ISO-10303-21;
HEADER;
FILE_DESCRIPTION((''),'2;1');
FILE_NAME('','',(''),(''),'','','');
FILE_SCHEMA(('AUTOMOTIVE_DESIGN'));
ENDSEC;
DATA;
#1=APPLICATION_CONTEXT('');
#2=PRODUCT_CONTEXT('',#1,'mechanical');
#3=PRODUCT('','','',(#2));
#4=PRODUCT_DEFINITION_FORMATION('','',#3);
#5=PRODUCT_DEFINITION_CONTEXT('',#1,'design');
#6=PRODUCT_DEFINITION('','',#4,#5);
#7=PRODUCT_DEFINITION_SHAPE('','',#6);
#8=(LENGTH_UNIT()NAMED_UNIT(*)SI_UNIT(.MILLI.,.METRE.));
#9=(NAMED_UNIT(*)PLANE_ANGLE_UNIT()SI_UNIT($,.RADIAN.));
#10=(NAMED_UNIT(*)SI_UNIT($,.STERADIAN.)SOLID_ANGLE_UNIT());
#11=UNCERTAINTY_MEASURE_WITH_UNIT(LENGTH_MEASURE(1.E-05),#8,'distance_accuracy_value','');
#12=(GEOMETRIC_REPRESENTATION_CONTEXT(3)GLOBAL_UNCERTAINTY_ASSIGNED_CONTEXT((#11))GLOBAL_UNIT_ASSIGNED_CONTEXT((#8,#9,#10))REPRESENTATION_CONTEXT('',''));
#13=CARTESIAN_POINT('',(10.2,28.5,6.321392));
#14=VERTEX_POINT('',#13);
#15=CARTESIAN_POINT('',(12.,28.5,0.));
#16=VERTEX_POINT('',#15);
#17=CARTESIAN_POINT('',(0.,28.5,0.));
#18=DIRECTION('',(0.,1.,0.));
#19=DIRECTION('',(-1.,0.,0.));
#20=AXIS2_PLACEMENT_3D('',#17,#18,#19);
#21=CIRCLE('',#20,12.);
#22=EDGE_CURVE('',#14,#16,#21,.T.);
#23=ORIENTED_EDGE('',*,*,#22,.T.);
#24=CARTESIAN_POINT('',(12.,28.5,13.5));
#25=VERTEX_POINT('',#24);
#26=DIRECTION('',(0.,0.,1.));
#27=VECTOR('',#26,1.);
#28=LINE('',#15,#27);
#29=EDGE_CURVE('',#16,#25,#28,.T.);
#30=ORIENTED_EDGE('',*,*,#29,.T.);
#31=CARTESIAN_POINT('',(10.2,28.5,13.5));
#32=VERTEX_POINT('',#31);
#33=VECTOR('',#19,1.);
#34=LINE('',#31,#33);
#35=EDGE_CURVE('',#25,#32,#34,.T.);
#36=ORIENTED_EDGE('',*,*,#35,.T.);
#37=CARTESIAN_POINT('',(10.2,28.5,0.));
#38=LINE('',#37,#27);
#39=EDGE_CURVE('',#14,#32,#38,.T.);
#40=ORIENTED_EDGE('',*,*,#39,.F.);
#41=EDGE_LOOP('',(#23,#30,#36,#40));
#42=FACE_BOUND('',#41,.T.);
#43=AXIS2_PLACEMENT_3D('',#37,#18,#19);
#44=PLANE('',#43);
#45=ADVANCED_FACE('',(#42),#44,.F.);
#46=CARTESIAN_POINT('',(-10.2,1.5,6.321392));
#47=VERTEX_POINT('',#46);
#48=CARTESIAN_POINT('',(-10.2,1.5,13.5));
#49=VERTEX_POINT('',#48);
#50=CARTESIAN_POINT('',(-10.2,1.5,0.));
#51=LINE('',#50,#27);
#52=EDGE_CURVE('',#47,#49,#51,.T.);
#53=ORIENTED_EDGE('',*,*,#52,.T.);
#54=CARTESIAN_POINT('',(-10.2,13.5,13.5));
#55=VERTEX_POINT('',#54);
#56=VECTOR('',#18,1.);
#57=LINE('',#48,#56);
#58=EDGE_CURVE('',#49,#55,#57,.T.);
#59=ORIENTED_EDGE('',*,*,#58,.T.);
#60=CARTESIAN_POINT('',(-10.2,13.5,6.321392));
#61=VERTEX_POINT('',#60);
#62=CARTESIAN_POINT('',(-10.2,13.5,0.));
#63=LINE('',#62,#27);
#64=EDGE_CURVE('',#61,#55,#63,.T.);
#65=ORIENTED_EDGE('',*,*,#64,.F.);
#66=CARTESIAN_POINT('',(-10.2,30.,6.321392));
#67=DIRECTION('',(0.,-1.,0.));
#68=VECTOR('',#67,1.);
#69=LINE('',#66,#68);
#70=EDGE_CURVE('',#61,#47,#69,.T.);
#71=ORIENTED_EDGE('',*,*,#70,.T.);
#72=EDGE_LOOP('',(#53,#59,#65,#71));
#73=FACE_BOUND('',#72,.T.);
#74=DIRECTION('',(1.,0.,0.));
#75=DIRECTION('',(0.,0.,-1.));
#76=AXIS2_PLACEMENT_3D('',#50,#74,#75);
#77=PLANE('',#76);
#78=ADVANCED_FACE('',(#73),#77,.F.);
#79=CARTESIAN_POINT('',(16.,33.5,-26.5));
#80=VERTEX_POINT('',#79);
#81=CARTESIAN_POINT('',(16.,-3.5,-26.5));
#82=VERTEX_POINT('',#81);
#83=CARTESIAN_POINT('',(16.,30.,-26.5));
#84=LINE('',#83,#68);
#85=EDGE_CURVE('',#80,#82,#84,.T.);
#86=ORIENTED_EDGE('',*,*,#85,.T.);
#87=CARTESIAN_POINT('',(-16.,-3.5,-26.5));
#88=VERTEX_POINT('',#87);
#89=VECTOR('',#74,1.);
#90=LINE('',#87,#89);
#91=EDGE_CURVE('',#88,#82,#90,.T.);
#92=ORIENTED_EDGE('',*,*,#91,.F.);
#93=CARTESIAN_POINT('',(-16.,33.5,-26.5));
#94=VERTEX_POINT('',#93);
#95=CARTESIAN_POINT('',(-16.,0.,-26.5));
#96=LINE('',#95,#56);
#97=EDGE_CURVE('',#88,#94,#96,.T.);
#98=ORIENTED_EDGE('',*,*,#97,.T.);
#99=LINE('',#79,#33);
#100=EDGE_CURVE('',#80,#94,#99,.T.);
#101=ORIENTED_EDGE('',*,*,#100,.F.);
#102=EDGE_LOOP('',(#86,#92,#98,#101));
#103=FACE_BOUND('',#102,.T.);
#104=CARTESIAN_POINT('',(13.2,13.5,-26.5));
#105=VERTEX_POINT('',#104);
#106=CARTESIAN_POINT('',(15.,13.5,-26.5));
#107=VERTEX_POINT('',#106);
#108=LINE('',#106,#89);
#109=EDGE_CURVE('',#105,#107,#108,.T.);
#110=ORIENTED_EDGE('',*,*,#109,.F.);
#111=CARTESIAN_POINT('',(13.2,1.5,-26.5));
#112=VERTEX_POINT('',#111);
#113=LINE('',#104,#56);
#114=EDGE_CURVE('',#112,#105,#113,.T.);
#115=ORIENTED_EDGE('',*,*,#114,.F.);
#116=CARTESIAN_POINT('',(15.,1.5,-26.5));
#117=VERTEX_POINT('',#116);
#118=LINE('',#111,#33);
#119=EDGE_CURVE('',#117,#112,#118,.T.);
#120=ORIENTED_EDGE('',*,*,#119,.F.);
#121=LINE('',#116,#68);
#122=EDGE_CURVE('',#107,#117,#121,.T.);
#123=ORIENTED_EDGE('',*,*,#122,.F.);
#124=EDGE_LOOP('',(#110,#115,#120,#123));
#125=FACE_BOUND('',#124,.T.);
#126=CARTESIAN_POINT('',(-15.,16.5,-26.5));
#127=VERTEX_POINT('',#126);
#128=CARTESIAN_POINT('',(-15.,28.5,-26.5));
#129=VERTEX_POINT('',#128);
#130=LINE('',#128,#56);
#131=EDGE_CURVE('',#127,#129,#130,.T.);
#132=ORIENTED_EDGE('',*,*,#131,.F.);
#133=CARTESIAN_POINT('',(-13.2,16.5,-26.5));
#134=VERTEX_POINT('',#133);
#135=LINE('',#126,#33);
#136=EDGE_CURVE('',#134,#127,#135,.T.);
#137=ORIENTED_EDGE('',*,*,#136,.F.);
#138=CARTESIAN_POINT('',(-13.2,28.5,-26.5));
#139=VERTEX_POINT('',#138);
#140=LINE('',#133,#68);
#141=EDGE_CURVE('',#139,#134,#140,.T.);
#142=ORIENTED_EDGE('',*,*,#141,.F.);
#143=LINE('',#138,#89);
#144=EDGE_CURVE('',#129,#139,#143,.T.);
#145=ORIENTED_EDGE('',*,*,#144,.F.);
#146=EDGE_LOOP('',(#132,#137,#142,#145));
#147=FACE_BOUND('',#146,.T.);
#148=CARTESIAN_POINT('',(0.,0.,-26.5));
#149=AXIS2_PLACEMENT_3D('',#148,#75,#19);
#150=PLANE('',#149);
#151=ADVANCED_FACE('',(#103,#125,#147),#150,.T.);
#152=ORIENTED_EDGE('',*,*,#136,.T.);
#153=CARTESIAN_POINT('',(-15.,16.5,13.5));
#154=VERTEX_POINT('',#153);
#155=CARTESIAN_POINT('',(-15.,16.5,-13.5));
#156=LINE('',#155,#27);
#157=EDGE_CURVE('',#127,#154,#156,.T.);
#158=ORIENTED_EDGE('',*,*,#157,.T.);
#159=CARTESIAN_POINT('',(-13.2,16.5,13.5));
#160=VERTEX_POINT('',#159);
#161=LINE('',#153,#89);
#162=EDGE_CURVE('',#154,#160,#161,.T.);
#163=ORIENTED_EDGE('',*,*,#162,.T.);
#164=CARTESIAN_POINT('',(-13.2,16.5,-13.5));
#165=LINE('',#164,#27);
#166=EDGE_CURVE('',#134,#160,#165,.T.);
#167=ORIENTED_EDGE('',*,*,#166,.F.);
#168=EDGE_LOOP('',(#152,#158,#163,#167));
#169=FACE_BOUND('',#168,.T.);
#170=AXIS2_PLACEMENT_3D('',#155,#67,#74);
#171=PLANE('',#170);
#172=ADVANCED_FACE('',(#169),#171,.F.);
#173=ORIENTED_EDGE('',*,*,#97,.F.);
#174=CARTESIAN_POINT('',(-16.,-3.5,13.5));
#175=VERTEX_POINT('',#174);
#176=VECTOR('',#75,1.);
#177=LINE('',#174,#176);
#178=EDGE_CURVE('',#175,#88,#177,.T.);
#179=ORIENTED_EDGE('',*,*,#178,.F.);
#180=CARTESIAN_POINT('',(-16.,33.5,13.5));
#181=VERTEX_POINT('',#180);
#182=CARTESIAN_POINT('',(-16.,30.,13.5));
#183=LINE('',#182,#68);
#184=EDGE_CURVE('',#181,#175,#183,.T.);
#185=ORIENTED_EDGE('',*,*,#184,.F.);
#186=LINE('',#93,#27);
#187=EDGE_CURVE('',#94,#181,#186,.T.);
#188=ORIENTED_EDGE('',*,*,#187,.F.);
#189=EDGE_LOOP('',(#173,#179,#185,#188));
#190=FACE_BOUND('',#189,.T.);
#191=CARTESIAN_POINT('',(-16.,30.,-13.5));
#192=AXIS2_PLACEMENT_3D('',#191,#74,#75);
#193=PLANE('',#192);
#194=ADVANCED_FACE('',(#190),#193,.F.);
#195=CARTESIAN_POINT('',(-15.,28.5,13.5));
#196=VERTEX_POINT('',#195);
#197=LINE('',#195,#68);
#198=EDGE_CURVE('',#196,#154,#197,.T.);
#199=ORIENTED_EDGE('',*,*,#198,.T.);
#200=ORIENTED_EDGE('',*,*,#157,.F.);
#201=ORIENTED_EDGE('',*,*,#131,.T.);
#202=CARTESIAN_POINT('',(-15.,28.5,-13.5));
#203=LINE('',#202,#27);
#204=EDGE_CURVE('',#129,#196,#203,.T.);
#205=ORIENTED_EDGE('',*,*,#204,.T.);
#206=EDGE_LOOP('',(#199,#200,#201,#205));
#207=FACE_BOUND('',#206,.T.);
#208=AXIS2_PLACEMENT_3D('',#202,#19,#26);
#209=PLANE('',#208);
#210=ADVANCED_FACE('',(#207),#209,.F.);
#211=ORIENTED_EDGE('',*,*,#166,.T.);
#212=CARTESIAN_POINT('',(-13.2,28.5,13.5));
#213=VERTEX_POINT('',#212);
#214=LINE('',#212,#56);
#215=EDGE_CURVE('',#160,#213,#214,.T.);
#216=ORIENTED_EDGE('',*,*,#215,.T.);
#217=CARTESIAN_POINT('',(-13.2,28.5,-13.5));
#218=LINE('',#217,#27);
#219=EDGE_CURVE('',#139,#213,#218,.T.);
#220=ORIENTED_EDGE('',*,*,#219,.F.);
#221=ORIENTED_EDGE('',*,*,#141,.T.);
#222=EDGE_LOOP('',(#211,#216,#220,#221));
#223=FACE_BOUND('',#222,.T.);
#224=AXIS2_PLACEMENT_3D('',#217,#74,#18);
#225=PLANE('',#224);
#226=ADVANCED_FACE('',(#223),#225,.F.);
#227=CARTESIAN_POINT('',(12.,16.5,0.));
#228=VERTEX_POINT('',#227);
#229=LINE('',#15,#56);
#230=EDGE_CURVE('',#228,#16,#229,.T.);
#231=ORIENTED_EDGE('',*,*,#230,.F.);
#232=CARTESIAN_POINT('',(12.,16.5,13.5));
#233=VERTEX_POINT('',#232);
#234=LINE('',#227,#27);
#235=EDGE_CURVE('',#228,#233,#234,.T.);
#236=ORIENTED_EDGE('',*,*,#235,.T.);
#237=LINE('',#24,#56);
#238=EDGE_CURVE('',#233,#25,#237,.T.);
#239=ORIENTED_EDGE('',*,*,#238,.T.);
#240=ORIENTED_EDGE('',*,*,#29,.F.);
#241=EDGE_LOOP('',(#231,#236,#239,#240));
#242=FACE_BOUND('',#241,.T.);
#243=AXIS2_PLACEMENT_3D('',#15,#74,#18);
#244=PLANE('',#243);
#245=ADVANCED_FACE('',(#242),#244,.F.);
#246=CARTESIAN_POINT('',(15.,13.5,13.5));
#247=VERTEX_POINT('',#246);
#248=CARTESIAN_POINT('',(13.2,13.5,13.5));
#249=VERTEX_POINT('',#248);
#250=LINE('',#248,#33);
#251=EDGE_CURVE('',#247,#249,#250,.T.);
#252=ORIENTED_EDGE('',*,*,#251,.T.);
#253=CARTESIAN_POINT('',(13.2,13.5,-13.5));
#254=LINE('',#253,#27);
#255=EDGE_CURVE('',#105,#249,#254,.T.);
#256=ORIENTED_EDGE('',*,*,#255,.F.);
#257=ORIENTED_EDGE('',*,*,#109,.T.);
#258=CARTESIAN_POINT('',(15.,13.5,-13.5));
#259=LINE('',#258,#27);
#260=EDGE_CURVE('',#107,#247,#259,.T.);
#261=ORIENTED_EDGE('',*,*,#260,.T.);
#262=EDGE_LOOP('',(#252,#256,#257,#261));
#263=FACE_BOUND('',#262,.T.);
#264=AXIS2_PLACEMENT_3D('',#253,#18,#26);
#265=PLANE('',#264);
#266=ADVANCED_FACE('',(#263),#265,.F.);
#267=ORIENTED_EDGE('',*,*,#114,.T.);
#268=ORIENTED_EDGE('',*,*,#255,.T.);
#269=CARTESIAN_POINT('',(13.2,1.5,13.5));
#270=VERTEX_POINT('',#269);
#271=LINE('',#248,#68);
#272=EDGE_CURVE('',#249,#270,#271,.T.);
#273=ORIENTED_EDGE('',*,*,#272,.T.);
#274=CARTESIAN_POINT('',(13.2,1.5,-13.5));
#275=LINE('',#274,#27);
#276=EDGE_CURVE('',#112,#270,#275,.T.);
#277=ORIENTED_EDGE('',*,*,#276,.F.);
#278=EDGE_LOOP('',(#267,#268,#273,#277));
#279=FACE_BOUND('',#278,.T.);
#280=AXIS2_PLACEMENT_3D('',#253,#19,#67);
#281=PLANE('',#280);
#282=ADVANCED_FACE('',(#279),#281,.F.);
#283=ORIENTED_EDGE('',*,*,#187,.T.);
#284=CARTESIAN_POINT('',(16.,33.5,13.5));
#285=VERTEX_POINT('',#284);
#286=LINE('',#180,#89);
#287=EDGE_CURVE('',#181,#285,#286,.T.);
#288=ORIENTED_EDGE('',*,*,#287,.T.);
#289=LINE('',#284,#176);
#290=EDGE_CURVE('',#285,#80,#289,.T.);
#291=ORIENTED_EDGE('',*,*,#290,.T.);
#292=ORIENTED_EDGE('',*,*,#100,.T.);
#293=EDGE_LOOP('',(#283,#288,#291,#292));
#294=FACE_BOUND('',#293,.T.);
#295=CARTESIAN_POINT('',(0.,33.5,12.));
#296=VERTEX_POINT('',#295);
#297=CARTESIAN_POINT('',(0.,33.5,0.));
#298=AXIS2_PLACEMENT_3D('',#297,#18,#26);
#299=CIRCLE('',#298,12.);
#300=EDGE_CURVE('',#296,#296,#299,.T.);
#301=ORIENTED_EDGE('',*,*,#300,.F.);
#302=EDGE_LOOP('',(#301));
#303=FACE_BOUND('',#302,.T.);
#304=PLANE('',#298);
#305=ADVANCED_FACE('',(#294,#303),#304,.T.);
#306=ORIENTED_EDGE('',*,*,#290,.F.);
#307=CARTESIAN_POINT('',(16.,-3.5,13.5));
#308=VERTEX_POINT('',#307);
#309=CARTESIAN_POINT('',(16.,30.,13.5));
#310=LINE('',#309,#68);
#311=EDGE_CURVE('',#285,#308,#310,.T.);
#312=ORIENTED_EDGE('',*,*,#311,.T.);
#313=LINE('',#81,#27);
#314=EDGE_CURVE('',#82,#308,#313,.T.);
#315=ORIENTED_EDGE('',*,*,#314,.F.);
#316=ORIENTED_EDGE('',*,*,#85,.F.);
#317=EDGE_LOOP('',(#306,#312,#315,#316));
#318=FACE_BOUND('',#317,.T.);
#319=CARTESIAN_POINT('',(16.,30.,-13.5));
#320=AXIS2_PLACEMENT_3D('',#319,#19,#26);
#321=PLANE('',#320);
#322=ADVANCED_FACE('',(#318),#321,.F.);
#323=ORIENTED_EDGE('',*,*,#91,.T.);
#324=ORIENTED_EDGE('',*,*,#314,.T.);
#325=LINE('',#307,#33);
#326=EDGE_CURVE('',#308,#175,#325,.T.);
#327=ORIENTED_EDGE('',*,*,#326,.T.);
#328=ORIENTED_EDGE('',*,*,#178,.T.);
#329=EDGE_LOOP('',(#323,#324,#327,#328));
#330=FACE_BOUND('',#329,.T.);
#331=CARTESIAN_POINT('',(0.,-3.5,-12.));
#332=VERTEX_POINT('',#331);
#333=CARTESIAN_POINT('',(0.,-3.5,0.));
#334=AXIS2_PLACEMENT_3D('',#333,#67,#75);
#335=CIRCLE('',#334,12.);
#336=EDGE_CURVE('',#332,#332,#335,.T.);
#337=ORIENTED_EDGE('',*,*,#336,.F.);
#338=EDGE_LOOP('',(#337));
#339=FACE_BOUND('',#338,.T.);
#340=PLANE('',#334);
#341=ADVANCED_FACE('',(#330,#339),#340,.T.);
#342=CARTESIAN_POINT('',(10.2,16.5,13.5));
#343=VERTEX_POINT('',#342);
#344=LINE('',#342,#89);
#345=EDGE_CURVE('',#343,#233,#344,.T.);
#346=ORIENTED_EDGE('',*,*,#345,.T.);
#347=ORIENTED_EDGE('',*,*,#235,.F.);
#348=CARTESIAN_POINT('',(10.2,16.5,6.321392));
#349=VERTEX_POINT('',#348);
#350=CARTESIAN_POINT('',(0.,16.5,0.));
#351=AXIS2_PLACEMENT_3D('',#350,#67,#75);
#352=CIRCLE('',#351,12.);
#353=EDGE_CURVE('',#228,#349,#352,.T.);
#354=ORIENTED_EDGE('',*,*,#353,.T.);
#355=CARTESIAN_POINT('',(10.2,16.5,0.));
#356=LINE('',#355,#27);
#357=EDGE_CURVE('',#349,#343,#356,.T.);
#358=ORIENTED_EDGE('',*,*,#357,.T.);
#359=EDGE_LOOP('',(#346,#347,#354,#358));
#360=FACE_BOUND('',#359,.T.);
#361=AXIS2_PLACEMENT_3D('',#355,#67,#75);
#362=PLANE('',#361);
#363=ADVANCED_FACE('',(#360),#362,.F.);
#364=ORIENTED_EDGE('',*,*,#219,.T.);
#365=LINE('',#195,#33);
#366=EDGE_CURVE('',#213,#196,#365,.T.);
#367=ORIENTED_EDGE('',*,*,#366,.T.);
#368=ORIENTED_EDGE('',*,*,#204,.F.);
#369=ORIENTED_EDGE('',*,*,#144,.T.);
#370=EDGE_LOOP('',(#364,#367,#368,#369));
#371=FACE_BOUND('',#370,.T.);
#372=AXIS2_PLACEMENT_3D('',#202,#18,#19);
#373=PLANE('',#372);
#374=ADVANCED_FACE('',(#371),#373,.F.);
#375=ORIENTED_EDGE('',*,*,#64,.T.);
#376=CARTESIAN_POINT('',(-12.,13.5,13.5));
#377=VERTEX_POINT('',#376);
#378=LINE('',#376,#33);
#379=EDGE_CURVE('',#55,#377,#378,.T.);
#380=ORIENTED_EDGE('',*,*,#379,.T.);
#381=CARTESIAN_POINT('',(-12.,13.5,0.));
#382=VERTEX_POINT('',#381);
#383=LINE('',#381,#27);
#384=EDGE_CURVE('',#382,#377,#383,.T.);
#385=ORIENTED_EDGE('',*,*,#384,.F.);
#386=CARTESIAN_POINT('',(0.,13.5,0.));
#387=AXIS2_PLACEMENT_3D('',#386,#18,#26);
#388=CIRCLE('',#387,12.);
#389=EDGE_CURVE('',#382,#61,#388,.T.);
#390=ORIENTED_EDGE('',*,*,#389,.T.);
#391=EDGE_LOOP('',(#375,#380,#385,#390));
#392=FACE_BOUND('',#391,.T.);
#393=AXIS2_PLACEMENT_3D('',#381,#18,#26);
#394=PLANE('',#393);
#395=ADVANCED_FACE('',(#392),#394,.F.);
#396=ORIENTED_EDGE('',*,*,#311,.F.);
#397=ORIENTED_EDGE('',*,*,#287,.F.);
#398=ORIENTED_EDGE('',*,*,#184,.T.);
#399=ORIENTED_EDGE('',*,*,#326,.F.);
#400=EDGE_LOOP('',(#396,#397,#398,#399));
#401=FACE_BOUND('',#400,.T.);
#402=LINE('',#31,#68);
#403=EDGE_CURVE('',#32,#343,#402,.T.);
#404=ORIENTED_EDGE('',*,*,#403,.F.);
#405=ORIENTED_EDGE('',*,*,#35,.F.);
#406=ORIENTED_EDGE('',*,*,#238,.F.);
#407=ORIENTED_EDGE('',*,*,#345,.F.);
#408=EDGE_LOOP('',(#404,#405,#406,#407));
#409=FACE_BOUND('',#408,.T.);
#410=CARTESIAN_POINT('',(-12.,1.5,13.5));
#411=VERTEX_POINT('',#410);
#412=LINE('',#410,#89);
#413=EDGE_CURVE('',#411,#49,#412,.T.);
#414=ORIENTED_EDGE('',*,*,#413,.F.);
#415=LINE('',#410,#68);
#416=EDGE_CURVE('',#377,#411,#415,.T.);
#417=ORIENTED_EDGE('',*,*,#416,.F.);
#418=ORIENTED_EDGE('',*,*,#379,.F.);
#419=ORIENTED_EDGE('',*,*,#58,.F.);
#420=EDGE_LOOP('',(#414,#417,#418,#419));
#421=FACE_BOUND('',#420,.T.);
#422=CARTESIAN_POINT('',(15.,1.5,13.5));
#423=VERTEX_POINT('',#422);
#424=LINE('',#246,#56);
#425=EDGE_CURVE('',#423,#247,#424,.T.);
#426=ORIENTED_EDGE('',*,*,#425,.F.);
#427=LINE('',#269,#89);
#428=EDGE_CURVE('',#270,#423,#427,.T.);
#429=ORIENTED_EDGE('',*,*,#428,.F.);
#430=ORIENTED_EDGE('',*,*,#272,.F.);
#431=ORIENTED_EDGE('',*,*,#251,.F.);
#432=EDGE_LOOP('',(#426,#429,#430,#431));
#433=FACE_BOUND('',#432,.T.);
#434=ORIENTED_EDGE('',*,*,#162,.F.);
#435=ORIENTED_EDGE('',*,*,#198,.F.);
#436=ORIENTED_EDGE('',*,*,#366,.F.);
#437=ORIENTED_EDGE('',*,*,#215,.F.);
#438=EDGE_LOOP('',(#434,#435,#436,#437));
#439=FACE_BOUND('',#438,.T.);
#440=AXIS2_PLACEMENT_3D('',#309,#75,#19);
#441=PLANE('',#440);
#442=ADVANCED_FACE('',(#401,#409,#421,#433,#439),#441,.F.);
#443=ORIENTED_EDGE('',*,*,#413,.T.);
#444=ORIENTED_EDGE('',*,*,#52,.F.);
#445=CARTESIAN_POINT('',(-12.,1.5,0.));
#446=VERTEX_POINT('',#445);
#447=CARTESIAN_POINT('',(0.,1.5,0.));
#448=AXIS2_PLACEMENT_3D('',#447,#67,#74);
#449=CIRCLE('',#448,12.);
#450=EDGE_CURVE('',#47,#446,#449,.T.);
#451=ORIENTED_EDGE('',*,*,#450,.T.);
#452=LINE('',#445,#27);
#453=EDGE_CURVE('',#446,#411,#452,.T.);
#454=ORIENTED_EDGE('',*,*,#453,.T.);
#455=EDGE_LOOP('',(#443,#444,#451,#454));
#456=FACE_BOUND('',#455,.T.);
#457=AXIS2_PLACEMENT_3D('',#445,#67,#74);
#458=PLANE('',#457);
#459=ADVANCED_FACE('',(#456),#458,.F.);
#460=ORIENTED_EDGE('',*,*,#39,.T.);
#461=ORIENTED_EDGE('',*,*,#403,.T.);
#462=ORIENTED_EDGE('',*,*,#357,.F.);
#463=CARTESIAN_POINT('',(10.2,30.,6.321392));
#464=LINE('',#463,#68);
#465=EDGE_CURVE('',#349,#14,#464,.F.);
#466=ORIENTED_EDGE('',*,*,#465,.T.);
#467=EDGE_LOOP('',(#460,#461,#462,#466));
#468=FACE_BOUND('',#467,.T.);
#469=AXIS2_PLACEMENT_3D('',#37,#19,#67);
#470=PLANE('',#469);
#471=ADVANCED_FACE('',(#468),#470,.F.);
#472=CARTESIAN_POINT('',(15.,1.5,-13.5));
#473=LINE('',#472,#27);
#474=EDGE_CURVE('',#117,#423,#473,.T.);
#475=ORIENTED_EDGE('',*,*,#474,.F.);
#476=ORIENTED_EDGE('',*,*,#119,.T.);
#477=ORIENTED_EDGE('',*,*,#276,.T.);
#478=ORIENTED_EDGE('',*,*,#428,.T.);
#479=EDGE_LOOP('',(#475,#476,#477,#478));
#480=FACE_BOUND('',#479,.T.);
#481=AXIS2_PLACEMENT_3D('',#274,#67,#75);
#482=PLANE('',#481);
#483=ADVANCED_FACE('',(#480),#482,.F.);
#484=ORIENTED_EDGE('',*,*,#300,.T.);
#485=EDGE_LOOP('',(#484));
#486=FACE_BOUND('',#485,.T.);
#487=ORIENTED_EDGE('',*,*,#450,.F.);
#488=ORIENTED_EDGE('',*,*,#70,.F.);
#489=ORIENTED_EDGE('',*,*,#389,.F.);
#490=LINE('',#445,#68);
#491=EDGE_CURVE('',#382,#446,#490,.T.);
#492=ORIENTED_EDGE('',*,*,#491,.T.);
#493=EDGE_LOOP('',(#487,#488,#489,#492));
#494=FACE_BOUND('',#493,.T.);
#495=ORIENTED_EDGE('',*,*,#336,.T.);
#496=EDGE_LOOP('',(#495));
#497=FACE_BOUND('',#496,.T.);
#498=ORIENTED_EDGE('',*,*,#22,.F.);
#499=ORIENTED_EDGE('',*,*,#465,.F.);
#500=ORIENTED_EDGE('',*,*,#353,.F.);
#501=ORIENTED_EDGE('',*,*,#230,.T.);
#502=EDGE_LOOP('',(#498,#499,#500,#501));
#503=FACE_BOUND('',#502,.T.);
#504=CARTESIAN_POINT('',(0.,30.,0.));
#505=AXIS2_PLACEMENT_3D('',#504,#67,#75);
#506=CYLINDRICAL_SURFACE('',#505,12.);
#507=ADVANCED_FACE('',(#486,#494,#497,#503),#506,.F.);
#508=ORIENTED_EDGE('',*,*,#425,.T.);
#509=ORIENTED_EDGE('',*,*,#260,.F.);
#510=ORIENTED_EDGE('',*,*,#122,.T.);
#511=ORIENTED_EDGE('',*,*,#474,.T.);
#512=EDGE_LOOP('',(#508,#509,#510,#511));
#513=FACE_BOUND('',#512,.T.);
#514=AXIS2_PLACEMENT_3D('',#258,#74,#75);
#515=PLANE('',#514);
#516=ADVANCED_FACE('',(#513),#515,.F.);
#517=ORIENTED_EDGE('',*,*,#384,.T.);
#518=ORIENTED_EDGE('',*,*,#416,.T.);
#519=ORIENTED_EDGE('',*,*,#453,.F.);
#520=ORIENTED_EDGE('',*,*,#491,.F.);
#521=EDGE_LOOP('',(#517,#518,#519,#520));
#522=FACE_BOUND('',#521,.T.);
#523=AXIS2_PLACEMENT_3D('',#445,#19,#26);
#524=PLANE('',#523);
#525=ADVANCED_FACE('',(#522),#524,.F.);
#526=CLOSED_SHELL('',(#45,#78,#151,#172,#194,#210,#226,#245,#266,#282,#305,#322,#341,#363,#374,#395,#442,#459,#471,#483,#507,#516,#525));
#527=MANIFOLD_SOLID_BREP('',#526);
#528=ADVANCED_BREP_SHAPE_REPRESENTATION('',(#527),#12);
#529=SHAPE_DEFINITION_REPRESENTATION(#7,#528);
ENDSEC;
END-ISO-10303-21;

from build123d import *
from build123d.topology import SkipClean

# Parameters (mm, degrees)
SKETCH1_W           = 32
SKETCH1_H           = 27
SKETCH1_R           = 12
BOSS_EXTRUDE1_DEPTH = 30
SKETCH3_W           = 1.8
SKETCH3_H           = 12
CUT_EXTRUDE1_DEPTH  = 13.5
SKETCH4_W           = 1.8
SKETCH4_H           = 12
CUT_EXTRUDE2_DEPTH  = 44.416586692
SKETCH5_W           = 32
SKETCH5_H           = 30
SKETCH5_W_2         = 1.8
SKETCH5_H_2         = 12
BOSS_EXTRUDE2_DEPTH = 13
SKETCH6_W           = 32
SKETCH6_H           = 40
SKETCH6_R           = 12
BOSS_EXTRUDE3_DEPTH = 3.5
BOSS_EXTRUDE4_START = 3.5
SKETCH7_W           = 32
SKETCH7_H           = 40
SKETCH7_R           = 12
BOSS_EXTRUDE4_DEPTH = 3.5


with BuildPart() as part:
    # Sketch1 → Boss-Extrude1 (new body)
    with BuildSketch(Plane(origin=(0, 0, 0), x_dir=(1, 0, 0), z_dir=(0, 1, 0))):
        Rectangle(SKETCH1_W, SKETCH1_H)
        with Locations(Location((0, 0, 0), (0, 0, 270))):
            Circle(SKETCH1_R, mode=Mode.SUBTRACT)
    extrude(amount=BOSS_EXTRUDE1_DEPTH)

    # Sketch3 → Cut-Extrude1 (cut)
    with BuildSketch(Plane.XY.offset(13.5)):
        with Locations((-11.1, 7.5)):
            Rectangle(SKETCH3_W, SKETCH3_H)
        with Locations((11.1, 22.5)):
            Rectangle(SKETCH3_W, SKETCH3_H)
    extrude(amount=-CUT_EXTRUDE1_DEPTH, mode=Mode.SUBTRACT)

    # Sketch4 → Cut-Extrude2 (cut, through all)
    with BuildSketch(Plane.XY.offset(13.5)):
        with Locations((-14.1, 22.5)):
            Rectangle(SKETCH4_W, SKETCH4_H)
        with Locations((14.1, 7.5)):
            Rectangle(SKETCH4_W, SKETCH4_H)
    extrude(amount=-CUT_EXTRUDE2_DEPTH, mode=Mode.SUBTRACT)

    # Sketch5 → Boss-Extrude2 (add)
    with BuildSketch(Plane(origin=(0, 0, -13.5), x_dir=(-1, 0, 0), z_dir=(0, 0, -1))):
        with Locations((0, 15)):
            Rectangle(SKETCH5_W, SKETCH5_H)
        with Locations((14.1, 22.5)):
            Rectangle(SKETCH5_W_2, SKETCH5_H_2, mode=Mode.SUBTRACT)
        with Locations((-14.1, 7.5)):
            Rectangle(SKETCH5_W_2, SKETCH5_H_2, mode=Mode.SUBTRACT)
    extrude(amount=BOSS_EXTRUDE2_DEPTH)

    # Sketch6 → Boss-Extrude3 (add)
    with BuildSketch(Plane(origin=(0, 30, 0), x_dir=(1, 0, 0), z_dir=(0, 1, 0))):
        with Locations((0, 6.5)):
            Rectangle(SKETCH6_W, SKETCH6_H)
        with Locations(Location((0, 0, 0), (0, 0, 270))):
            Circle(SKETCH6_R, mode=Mode.SUBTRACT)
    extrude(amount=BOSS_EXTRUDE3_DEPTH)

    # Sketch7 → Boss-Extrude4 (add)
    with SkipClean():  # the faces are left unmerged after this step: merging them gives an invalid solid
        with BuildSketch(Plane.XZ.offset(BOSS_EXTRUDE4_START)):
            with Locations((0, -6.5)):
                Rectangle(SKETCH7_W, SKETCH7_H)
            with Locations(Location((0, 0, 0), (0, 0, 270))):
                Circle(SKETCH7_R, mode=Mode.SUBTRACT)
        extrude(amount=-BOSS_EXTRUDE4_DEPTH)


solid = part.part
